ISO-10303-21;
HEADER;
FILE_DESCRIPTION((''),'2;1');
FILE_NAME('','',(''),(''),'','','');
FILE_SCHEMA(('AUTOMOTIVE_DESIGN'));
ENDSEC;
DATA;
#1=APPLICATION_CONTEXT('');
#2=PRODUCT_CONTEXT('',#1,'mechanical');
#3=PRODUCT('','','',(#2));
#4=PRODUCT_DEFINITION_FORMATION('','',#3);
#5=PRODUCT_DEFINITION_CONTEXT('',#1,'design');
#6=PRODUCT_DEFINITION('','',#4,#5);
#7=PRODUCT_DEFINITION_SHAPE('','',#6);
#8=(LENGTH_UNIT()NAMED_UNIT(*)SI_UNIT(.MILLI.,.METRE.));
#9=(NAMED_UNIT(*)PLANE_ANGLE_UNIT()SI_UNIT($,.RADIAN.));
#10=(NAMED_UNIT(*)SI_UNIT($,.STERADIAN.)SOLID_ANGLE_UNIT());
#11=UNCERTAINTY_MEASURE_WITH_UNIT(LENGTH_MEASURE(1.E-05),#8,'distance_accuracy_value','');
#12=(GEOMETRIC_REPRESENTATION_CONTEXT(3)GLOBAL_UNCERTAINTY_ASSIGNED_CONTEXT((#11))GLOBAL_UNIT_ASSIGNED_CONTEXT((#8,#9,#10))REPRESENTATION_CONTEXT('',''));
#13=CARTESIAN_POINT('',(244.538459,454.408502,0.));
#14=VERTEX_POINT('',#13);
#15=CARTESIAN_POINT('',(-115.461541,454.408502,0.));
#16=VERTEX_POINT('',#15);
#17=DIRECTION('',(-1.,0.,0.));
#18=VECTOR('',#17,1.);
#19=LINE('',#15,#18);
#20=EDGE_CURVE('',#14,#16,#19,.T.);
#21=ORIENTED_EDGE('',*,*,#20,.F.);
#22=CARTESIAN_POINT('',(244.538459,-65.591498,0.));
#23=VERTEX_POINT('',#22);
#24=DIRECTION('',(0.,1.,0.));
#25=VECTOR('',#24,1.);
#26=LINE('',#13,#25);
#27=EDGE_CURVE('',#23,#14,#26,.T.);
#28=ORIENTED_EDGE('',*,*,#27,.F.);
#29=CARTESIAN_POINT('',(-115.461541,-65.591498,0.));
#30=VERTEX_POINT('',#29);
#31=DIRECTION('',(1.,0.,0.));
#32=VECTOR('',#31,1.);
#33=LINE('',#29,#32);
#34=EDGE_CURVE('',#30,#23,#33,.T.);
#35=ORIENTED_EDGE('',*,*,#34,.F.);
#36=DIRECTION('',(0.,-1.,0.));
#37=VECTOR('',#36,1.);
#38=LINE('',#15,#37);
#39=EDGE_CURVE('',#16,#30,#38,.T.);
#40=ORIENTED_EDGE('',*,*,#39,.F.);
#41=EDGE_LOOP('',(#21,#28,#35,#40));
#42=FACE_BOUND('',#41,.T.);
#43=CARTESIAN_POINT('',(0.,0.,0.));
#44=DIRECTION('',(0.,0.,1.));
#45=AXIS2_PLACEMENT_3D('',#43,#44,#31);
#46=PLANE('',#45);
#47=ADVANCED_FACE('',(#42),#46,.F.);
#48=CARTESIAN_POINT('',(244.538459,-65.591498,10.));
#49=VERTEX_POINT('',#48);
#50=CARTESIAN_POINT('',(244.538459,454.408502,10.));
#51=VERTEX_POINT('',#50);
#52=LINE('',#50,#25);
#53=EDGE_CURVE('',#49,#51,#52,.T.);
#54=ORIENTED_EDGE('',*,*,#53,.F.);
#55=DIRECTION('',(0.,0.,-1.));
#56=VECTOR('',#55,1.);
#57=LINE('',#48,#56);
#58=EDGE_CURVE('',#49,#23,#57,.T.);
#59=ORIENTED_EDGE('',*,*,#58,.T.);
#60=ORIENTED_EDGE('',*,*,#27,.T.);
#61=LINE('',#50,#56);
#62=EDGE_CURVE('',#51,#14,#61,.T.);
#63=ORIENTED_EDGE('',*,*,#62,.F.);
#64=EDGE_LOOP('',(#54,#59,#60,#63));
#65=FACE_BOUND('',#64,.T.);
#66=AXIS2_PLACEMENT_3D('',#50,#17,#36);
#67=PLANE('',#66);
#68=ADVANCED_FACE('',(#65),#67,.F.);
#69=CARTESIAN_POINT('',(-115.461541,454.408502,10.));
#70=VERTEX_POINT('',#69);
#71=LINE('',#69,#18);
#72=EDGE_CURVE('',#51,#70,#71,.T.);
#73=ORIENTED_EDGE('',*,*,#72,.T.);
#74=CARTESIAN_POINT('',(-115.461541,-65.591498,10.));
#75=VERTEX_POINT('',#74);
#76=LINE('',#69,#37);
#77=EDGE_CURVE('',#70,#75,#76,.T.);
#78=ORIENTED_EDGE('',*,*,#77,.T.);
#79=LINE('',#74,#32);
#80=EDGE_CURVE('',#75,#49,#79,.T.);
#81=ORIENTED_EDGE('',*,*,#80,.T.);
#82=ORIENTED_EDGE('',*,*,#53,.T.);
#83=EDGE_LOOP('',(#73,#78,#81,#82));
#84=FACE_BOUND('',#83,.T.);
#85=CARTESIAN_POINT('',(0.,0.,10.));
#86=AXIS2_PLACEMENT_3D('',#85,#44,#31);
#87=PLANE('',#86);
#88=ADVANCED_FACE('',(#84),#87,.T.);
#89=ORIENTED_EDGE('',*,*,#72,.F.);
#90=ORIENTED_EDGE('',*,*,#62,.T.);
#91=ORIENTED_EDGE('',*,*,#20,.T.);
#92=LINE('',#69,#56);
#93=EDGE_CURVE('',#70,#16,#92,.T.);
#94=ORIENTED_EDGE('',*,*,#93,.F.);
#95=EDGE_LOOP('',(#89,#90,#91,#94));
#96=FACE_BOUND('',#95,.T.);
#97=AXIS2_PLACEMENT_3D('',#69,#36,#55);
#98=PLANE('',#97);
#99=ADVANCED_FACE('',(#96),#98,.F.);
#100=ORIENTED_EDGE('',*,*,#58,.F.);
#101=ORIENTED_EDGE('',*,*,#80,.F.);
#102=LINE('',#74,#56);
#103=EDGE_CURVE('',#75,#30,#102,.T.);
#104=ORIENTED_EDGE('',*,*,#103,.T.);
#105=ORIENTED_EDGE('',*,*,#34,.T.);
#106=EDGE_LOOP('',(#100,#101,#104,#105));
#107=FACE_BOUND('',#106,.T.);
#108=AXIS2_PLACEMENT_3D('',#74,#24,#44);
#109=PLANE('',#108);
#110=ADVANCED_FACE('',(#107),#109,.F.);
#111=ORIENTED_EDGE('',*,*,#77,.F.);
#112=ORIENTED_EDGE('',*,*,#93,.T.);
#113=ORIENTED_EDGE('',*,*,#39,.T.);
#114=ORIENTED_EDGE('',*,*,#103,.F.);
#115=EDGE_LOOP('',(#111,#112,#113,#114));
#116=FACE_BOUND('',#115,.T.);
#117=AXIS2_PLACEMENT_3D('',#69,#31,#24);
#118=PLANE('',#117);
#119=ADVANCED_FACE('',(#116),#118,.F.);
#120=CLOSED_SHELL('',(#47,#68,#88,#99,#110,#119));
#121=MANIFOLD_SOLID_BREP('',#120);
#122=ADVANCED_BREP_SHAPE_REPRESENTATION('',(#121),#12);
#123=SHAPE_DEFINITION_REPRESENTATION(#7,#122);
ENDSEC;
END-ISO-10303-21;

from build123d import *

# Parameters (mm, degrees)
ESQUISSE1_W        = 360
ESQUISSE1_H        = 520
BOSS_EXTRU_1_DEPTH = 10


with BuildPart() as part:
    # Esquisse1 → Boss.-Extru.1 (new body)
    with BuildSketch(Plane.XY):
        with Locations((64.538459462, 194.408501784)):
            Rectangle(ESQUISSE1_W, ESQUISSE1_H)
    extrude(amount=BOSS_EXTRU_1_DEPTH)


solid = part.part
